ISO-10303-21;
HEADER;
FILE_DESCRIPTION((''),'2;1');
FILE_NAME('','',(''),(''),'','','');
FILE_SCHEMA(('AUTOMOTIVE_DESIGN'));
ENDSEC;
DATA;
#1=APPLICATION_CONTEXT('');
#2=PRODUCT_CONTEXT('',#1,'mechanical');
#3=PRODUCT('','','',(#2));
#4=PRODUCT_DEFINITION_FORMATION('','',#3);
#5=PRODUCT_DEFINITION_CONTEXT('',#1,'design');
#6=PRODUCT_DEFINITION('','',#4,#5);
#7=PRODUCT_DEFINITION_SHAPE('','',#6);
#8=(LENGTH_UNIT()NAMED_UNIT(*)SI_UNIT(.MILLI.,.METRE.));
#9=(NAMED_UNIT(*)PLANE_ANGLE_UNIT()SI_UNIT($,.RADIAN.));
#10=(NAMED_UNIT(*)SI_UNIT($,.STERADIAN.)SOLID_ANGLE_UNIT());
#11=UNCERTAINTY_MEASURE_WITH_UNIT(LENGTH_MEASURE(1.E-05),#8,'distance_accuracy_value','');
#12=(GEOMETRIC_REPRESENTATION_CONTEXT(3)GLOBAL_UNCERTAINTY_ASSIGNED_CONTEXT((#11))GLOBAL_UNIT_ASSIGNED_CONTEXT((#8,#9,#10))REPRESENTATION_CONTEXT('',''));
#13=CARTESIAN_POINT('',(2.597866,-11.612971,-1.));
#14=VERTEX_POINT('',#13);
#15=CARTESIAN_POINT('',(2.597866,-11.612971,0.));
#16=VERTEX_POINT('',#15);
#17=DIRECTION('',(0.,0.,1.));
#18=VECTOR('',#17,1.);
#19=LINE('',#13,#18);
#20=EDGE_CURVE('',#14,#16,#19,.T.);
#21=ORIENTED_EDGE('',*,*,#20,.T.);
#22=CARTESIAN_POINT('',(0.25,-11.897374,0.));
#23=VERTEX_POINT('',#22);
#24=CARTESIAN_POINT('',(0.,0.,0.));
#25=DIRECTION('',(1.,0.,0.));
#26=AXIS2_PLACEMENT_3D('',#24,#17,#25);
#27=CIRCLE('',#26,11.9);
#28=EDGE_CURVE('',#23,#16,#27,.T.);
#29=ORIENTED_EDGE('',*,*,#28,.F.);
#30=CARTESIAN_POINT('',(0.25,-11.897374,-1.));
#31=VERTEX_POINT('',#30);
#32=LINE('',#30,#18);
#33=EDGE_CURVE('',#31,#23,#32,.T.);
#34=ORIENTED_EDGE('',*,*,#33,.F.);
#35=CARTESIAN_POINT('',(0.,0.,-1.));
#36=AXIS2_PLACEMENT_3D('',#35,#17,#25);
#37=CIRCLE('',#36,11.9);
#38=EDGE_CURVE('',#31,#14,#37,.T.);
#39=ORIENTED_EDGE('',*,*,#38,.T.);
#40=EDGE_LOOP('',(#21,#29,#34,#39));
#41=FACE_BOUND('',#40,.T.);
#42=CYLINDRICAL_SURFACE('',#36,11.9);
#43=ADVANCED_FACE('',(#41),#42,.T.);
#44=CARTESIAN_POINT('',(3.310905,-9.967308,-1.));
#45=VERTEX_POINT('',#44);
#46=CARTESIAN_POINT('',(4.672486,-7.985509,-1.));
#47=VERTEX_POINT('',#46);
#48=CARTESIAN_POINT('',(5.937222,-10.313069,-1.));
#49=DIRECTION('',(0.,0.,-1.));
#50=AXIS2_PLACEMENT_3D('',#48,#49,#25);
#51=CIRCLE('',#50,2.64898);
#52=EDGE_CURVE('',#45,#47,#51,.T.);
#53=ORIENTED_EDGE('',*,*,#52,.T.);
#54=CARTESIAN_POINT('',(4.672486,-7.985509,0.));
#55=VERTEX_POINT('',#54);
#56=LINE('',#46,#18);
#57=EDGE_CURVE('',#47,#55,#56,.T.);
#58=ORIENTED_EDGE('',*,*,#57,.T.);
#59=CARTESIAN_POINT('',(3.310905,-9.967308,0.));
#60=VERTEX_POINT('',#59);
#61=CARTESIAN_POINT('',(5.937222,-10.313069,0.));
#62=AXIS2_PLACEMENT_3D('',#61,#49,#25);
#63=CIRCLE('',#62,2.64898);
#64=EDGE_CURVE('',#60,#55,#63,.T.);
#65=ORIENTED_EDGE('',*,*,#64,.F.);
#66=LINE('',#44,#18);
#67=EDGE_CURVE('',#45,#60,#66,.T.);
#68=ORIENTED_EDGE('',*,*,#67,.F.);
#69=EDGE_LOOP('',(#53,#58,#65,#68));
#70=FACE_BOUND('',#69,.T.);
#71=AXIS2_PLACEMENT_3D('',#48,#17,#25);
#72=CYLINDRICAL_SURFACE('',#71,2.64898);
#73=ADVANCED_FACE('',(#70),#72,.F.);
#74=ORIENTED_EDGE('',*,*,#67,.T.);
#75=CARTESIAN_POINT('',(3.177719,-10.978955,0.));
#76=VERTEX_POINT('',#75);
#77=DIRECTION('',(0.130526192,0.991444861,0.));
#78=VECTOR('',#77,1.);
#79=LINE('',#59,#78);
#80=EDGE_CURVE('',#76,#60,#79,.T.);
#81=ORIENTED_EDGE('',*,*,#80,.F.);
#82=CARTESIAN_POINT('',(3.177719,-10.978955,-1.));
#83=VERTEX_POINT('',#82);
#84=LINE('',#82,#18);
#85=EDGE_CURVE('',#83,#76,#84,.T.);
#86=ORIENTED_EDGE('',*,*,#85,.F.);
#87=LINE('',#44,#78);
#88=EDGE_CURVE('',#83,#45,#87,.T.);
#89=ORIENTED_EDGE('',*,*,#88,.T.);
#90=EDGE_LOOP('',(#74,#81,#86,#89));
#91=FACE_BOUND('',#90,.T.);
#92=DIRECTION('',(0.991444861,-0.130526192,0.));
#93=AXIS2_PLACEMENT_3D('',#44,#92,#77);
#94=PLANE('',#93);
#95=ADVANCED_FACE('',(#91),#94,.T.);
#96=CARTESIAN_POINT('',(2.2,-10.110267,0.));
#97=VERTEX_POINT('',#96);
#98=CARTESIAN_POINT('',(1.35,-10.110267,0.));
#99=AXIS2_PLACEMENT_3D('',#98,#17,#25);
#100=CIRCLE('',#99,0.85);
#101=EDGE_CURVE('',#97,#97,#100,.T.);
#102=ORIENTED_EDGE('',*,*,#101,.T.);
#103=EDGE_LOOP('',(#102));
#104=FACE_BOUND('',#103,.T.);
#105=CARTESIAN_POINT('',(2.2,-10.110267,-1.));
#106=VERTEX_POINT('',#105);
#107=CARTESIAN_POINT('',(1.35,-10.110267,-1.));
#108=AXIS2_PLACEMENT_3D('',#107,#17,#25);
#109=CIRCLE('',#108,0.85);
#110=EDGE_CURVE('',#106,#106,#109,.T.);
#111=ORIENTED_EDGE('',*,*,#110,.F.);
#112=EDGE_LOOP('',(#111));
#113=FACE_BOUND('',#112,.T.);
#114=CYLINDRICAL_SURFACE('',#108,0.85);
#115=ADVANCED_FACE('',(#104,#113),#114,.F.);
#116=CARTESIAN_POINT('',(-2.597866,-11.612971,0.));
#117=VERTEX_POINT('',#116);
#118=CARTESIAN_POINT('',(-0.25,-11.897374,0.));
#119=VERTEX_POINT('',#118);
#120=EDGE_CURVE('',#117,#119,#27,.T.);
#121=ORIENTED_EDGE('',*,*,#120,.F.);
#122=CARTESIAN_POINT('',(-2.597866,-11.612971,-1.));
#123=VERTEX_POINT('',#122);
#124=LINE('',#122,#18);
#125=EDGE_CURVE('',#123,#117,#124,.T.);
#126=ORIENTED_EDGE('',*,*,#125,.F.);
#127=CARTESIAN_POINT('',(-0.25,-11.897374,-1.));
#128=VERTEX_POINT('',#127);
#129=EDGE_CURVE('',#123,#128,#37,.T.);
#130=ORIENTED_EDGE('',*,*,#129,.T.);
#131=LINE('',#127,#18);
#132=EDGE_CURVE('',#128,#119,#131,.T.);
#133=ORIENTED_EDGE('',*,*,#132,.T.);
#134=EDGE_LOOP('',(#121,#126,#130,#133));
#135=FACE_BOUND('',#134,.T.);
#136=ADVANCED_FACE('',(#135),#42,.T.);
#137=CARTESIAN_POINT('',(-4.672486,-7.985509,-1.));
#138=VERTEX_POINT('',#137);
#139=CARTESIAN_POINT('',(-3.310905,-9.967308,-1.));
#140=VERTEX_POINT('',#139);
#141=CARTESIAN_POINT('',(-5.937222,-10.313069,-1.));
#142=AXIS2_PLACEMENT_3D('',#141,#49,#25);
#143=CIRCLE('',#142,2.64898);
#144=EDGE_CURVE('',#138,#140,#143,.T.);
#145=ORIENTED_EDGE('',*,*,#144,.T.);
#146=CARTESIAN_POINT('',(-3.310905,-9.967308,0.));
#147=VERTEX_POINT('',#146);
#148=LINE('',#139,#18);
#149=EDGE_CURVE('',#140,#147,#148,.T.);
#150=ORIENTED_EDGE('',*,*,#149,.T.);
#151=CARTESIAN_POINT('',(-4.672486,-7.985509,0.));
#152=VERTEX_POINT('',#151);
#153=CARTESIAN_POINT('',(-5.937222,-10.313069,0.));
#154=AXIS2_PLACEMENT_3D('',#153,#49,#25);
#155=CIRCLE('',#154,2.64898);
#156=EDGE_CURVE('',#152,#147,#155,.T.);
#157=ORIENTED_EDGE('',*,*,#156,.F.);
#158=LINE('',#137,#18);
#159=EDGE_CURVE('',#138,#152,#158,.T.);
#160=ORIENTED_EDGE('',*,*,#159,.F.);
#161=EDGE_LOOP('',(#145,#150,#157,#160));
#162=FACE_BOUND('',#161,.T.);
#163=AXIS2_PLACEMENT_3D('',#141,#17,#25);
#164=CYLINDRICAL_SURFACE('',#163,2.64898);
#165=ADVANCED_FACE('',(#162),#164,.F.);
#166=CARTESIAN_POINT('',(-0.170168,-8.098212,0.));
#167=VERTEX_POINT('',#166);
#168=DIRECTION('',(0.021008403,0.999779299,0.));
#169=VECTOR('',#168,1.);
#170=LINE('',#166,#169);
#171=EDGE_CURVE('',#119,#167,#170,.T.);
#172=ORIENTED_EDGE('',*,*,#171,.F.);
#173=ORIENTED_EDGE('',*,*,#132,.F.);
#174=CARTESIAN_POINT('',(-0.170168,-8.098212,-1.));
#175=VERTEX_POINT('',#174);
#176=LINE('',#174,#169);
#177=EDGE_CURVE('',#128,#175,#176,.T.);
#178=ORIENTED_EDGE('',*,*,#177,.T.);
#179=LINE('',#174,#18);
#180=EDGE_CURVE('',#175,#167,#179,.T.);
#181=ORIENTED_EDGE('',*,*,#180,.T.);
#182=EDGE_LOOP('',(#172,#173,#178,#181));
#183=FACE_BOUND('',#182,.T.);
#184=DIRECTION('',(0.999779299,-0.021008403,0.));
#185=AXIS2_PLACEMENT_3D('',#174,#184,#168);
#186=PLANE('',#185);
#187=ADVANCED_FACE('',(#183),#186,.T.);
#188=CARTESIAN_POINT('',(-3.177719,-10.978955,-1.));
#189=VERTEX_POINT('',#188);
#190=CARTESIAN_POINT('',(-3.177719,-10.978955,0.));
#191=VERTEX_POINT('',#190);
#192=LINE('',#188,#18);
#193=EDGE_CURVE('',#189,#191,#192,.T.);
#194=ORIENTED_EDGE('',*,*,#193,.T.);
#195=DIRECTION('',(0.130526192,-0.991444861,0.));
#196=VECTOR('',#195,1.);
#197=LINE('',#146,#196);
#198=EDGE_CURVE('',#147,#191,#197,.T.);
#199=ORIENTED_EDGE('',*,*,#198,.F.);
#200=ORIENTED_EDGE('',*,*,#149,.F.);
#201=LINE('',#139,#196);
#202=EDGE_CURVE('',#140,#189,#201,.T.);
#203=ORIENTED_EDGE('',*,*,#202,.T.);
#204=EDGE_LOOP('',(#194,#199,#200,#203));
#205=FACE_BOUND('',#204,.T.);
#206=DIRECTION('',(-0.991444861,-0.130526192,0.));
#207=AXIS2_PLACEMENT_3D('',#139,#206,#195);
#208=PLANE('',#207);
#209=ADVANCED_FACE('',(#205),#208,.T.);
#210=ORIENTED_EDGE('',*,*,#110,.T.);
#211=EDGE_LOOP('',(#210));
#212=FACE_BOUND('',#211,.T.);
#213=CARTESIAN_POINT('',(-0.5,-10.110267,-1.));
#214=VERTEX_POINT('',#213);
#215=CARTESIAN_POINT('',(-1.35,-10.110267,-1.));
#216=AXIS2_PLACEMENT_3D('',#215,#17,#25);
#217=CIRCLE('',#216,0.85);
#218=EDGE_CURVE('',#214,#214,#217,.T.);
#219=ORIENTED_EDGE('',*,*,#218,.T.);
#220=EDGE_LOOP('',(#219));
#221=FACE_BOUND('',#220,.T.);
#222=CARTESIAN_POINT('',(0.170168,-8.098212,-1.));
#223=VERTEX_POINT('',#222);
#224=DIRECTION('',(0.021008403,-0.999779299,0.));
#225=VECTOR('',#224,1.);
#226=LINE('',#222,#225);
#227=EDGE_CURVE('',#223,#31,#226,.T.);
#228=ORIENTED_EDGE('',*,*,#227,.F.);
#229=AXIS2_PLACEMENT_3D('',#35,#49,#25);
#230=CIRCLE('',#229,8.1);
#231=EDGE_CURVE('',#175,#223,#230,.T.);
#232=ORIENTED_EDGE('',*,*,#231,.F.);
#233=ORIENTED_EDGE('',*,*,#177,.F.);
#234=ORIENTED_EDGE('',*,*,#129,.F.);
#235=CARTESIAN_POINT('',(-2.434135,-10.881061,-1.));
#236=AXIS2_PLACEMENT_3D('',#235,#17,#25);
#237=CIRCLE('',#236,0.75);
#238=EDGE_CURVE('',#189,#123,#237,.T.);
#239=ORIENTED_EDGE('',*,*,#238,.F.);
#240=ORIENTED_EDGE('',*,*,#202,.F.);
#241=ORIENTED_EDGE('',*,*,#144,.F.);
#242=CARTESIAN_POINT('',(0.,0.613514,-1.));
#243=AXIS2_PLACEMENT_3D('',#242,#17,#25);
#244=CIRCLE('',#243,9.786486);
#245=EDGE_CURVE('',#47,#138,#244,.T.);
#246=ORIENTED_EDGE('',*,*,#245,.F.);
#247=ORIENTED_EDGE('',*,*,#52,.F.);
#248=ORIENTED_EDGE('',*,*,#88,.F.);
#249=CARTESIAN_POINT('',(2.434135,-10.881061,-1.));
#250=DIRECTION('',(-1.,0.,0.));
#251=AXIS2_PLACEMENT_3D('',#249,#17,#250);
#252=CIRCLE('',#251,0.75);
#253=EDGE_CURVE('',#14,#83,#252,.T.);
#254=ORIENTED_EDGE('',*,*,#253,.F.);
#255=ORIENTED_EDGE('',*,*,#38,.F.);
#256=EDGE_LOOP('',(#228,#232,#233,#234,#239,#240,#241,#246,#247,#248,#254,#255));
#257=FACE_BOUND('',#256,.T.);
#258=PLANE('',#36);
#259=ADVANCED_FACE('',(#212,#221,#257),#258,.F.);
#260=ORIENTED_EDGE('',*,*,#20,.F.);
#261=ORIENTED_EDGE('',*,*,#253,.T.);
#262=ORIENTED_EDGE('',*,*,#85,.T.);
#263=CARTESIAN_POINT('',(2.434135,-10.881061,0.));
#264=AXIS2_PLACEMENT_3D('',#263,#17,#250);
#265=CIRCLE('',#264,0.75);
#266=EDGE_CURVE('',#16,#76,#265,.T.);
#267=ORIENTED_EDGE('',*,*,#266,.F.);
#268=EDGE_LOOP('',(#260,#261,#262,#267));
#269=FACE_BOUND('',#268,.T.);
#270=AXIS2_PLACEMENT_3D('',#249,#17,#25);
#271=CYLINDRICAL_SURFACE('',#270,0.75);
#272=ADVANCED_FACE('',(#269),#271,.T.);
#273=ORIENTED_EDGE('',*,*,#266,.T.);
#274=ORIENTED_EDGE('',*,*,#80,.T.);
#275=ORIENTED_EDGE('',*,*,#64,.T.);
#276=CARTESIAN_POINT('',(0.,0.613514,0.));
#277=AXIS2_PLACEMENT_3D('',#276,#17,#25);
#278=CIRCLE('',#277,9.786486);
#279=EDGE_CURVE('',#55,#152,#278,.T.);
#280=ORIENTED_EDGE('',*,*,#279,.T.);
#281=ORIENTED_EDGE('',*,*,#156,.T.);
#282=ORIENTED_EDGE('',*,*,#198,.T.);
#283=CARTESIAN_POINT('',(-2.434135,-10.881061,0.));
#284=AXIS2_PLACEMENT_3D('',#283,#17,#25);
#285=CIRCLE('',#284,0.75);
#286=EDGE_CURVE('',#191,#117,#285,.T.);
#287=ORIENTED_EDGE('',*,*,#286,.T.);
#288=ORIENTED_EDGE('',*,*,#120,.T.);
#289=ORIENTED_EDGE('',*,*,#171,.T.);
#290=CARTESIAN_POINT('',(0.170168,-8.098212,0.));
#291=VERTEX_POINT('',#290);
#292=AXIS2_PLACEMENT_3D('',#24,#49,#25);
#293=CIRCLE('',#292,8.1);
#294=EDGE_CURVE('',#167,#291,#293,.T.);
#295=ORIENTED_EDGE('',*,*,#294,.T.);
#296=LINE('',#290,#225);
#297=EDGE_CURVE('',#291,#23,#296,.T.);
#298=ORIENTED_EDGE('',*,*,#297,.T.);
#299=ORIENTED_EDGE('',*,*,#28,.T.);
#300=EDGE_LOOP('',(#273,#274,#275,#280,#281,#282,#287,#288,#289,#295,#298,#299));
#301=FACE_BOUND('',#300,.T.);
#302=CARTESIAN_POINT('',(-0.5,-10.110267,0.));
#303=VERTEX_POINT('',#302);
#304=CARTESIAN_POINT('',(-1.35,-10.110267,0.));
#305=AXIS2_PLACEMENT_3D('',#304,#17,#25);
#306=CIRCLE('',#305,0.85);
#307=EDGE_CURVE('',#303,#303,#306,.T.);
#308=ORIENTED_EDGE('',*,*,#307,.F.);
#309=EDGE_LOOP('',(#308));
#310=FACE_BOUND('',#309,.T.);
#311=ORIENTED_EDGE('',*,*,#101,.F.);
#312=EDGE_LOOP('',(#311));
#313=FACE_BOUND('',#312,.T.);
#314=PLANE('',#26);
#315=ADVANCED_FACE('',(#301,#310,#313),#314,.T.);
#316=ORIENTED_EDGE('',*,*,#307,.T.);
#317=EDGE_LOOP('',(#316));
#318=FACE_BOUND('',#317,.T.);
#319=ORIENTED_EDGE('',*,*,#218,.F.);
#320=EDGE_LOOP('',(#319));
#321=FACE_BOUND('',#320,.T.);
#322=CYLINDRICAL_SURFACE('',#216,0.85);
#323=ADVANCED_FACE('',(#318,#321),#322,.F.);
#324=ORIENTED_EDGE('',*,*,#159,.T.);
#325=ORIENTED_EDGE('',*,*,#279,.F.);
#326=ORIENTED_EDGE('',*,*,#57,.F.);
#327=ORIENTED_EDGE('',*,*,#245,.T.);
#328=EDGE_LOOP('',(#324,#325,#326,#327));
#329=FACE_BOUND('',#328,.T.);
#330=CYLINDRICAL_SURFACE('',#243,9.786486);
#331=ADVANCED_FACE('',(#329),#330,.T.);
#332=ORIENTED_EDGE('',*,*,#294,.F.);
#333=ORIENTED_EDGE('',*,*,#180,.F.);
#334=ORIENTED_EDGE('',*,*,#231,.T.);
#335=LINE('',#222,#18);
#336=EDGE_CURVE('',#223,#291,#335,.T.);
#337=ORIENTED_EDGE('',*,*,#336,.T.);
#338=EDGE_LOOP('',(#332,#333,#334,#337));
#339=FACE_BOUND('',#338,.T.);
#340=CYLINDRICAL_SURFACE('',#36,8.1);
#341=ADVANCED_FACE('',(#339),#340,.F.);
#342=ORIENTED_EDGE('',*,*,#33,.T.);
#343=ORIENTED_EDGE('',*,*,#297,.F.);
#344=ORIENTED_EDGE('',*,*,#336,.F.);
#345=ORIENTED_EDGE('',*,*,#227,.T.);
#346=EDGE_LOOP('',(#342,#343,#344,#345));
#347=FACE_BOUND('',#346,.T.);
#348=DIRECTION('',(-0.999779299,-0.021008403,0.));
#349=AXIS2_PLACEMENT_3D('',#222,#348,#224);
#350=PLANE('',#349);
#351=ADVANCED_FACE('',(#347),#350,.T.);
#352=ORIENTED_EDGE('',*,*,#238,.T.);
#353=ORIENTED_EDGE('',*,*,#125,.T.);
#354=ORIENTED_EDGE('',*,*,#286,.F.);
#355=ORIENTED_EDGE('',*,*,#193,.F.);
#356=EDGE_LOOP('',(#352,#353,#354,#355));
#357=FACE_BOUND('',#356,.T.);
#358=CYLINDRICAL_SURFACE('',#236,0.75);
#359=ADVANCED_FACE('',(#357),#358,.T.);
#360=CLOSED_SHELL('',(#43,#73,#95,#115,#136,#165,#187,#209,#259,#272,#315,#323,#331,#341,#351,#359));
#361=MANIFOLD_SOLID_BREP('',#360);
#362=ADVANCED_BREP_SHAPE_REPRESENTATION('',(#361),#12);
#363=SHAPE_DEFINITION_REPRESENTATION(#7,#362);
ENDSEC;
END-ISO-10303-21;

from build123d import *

# Parameters (mm, degrees)
BODYSKE_R  = 0.85
BODY_DEPTH = 1


with BuildPart() as part:
    # BodySke → Body (new body)
    with BuildSketch(Plane.XY):
        with BuildLine():
            Line((0.170168067, -8.098212323), (0.25, -11.89737366))
            ThreePointArc((0.25, -11.89737366), (1.431016081, -11.813644356), (2.597866411, -11.61297077))
            ThreePointArc((2.597866411, -11.61297077), (2.987578055, -11.387224018), (3.177718981, -10.978955492))
            Line((3.177718981, -10.978955492), (3.31090493, -9.967307774))
            ThreePointArc((3.31090493, -9.967307774), (3.753886335, -8.813023088), (4.672486267, -7.985508843))
            ThreePointArc((4.672486267, -7.985508843), (0, 10.4), (-4.672486267, -7.985508843))
            ThreePointArc((-4.672486267, -7.985508843), (-3.753886335, -8.813023088), (-3.31090493, -9.967307774))
            Line((-3.31090493, -9.967307774), (-3.177718981, -10.978955492))
            ThreePointArc((-3.177718981, -10.978955492), (-2.987578055, -11.387224018), (-2.597866411, -11.61297077))
            ThreePointArc((-2.597866411, -11.61297077), (-1.431016081, -11.813644356), (-0.25, -11.89737366))
            Line((-0.25, -11.89737366), (-0.170168067, -8.098212323))
            ThreePointArc((-0.170168067, -8.098212323), (0, 8.1), (0.170168067, -8.098212323))
        make_face()
        with Locations((1.35, -10.110267059)):
            Circle(BODYSKE_R, mode=Mode.SUBTRACT)
        with Locations((-1.35, -10.110267059)):
            Circle(BODYSKE_R, mode=Mode.SUBTRACT)
    extrude(amount=-BODY_DEPTH)


solid = part.part
